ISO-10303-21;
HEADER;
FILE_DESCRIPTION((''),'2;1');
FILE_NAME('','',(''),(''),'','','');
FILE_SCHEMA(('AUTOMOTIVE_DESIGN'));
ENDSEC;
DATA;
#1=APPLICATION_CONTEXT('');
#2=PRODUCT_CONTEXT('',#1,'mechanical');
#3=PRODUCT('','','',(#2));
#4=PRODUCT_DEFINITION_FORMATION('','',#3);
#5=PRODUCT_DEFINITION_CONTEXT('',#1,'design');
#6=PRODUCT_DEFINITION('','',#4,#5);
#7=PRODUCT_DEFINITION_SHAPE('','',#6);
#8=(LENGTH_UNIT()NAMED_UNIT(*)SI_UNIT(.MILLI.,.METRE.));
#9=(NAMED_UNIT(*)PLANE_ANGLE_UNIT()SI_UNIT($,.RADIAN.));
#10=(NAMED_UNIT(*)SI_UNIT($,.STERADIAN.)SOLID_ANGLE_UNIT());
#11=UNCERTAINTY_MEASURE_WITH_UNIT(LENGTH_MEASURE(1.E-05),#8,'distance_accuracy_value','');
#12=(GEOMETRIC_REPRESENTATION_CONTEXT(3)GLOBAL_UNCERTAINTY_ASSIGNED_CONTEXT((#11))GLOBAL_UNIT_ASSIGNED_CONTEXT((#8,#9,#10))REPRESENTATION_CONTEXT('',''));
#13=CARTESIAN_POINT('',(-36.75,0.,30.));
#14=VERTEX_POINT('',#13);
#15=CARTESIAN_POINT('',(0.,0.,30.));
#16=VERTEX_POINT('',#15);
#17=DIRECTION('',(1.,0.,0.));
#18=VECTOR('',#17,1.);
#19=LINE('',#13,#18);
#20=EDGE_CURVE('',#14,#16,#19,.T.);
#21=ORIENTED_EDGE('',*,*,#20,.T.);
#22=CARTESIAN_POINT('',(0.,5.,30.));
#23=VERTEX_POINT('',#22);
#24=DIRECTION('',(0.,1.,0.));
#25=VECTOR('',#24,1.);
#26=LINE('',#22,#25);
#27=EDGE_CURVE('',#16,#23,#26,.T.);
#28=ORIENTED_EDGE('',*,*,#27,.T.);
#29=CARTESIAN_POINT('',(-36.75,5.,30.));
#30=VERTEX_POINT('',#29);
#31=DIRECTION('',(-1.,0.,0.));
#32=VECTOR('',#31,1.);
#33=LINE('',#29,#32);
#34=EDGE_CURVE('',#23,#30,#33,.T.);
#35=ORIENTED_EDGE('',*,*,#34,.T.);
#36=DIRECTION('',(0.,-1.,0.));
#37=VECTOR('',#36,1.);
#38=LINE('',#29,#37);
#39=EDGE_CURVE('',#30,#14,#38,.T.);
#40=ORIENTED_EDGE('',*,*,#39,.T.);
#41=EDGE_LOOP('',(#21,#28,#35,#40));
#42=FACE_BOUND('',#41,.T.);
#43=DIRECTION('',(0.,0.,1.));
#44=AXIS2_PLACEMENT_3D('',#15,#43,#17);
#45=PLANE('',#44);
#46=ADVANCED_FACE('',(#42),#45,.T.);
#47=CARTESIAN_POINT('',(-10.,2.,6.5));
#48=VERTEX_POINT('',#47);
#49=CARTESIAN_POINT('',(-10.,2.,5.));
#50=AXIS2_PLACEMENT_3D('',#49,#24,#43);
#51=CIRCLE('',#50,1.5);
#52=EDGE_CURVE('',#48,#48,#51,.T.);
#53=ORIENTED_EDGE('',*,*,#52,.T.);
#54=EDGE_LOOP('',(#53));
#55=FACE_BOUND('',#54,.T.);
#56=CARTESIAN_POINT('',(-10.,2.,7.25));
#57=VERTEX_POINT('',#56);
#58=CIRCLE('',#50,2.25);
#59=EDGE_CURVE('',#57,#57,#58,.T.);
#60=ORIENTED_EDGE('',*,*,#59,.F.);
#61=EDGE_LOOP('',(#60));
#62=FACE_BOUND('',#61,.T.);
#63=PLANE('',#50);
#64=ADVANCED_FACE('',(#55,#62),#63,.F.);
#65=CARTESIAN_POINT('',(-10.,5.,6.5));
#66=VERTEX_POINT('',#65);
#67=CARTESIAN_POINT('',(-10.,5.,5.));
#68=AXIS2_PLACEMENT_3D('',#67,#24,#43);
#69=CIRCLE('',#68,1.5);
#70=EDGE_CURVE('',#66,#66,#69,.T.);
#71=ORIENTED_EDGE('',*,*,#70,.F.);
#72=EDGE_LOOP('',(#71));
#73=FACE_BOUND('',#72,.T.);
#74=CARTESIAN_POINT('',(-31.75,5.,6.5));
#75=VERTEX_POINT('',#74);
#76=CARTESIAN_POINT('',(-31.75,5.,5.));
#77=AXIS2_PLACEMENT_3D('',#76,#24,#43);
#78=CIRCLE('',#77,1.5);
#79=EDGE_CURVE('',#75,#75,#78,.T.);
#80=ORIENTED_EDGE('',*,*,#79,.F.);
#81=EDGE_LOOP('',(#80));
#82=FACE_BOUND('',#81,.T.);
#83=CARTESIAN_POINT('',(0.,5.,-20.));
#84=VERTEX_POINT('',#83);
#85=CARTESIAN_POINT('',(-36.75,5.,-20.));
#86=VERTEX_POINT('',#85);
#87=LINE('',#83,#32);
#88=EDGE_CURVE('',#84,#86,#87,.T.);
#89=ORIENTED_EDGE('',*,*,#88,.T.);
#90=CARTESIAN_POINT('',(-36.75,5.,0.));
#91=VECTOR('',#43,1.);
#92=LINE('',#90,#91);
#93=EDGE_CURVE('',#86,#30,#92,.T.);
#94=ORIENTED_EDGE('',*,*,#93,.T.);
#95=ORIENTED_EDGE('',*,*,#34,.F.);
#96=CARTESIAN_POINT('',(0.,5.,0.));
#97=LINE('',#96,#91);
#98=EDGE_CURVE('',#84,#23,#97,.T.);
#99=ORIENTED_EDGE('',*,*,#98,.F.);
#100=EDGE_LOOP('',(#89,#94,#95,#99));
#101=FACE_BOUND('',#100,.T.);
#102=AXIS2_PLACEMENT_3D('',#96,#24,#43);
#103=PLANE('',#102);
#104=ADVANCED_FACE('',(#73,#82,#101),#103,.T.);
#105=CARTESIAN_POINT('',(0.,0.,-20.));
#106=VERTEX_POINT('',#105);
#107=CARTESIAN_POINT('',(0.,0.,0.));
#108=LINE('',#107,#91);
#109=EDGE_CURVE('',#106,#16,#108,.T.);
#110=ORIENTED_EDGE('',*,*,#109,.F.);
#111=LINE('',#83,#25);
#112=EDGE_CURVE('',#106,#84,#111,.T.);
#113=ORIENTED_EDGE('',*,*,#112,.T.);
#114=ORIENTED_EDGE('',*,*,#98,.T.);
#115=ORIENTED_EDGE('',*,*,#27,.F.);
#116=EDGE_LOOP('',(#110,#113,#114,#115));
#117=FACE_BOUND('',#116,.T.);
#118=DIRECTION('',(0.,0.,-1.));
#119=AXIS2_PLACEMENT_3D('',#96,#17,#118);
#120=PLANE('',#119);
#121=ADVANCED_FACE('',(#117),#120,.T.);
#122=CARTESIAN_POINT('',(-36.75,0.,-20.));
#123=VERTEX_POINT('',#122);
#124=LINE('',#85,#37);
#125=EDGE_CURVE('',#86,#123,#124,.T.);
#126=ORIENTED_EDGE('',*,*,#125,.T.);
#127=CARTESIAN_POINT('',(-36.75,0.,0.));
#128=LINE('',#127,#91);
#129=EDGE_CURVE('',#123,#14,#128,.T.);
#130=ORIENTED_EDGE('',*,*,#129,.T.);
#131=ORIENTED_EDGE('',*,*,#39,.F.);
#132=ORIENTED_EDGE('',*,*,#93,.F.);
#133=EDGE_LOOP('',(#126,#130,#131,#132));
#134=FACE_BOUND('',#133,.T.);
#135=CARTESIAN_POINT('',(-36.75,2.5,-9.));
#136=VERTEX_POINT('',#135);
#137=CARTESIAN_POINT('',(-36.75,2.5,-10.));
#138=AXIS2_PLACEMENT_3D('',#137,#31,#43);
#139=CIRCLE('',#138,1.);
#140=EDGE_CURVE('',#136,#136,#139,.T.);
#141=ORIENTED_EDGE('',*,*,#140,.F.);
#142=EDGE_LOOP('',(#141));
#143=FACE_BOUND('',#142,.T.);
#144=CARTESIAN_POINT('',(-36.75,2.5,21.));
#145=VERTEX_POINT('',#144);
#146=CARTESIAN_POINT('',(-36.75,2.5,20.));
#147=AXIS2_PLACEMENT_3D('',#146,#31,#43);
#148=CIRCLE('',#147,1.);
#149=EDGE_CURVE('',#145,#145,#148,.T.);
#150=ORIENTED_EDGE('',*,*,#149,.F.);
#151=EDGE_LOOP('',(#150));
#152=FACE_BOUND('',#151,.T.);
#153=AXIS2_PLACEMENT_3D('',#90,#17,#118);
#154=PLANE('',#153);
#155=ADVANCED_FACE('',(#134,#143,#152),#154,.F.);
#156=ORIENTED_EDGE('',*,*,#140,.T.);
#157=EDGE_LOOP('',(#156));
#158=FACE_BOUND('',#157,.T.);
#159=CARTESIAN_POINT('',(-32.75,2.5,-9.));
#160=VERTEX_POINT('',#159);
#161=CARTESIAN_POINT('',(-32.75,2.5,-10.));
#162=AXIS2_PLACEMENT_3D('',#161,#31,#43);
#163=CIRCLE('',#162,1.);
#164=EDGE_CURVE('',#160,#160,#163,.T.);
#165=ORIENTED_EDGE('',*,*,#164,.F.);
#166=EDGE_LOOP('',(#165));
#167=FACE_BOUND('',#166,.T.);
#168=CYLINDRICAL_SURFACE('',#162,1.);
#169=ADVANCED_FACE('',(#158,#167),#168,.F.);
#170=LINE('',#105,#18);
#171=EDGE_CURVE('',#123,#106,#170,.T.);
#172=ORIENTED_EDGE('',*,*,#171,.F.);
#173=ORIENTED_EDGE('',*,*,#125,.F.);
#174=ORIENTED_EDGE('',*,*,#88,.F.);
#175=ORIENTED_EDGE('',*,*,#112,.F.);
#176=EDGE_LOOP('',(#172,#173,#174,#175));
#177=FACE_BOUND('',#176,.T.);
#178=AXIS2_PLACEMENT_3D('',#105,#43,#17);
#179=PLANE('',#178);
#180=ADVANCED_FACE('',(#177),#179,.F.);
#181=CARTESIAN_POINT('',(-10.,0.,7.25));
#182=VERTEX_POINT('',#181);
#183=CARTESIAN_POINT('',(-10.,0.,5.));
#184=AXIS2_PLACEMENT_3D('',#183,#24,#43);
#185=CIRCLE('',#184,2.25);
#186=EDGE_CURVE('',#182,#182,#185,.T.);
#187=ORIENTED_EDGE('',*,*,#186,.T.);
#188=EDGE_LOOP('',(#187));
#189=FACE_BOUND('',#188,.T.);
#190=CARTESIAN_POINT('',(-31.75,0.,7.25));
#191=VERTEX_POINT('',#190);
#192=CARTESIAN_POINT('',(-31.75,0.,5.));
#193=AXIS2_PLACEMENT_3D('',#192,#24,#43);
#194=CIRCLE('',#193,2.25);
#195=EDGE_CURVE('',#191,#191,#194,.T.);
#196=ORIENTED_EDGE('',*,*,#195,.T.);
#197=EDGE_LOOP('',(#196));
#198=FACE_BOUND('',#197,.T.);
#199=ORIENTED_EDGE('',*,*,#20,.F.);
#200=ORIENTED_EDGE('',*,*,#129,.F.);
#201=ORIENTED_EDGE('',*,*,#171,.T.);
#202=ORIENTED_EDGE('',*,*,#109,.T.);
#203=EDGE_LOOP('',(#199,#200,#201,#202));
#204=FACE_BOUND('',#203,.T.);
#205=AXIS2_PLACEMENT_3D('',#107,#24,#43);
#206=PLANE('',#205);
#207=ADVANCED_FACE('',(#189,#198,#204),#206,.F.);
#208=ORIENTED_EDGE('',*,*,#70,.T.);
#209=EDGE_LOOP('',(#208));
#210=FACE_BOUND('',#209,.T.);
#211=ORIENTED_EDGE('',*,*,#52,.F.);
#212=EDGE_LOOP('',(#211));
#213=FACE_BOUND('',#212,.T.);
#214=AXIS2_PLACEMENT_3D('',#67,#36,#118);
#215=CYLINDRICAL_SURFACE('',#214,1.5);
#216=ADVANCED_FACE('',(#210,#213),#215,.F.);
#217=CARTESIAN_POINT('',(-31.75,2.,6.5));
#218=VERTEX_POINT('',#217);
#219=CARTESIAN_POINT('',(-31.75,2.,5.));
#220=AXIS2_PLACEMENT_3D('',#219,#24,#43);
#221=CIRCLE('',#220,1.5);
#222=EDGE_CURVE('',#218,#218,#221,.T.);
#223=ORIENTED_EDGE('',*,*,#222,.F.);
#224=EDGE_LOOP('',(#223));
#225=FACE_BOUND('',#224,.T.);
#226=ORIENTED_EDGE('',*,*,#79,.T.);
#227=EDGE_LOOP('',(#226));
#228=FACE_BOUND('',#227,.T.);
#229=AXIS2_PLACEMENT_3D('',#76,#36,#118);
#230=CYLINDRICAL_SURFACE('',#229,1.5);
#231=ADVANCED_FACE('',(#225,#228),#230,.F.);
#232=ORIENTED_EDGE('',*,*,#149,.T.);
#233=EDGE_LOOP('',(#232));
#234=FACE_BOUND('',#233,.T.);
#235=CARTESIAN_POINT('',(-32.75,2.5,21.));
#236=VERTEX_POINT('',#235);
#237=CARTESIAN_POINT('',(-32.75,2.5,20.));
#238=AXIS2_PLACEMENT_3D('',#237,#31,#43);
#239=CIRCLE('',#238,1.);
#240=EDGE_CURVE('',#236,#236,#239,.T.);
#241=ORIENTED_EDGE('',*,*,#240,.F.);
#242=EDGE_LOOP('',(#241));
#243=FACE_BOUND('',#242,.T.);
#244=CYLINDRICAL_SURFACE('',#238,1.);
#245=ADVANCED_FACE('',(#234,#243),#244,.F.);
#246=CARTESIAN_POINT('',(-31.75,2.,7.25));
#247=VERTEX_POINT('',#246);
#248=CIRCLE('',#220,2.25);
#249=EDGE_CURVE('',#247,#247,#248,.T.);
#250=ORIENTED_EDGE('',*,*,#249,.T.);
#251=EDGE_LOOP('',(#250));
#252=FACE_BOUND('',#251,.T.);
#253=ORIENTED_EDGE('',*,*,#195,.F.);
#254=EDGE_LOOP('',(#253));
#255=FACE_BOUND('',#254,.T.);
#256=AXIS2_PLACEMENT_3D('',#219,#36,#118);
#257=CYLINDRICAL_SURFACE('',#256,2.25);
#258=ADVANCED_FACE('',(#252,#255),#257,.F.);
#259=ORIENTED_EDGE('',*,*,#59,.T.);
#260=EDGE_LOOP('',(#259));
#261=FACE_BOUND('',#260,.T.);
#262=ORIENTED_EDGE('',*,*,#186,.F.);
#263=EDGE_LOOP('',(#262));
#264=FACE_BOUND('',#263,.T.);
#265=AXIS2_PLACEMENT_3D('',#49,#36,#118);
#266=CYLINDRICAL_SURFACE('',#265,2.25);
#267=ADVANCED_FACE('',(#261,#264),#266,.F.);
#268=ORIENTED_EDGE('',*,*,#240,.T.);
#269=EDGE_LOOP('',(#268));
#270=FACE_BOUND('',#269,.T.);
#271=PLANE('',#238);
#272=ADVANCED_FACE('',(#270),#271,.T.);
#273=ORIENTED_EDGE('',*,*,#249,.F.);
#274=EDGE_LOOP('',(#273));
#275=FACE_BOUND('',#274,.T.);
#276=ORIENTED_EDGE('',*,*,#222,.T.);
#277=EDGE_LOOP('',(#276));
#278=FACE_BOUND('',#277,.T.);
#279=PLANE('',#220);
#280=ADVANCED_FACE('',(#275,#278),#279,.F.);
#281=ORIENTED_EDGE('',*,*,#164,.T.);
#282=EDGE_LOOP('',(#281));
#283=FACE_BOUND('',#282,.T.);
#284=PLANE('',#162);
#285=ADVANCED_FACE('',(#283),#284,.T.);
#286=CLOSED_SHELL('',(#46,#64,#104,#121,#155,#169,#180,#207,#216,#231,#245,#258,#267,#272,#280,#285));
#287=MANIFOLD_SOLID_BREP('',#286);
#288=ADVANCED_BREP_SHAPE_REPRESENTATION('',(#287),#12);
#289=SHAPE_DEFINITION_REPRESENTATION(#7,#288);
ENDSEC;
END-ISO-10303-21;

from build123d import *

# Parameters (mm, degrees)
SKETCH_4_W          = 36.75
SKETCH_4_H          = 10
SKETCH_4_R          = 1.5
EXTRUDE_1_DEPTH     = 5
SKETCH_5_W          = 36.75
SKETCH_5_H          = 5
EXTRUDE_2_DEPTH     = 20
EXTRUDE_START       = -10
SKETCH_5_2_W        = 36.75
SKETCH_5_2_H        = 5
EXTRUDE_3_DEPTH     = 20
SKETCH_6_R          = 1
CUT_EXTRUDE_1_DEPTH = 4
SKETCH_4_5_R        = 2.25
CUT_EXTRUDE_2_DEPTH = 2


with BuildPart() as part:
    # 草图4 → 凸台-拉伸1 (new body)
    with BuildSketch(Plane(origin=(0, 0, 0), x_dir=(1, 0, 0), z_dir=(0, 1, 0))):
        with Locations((-18.375, -5)):
            Rectangle(SKETCH_4_W, SKETCH_4_H)
        with Locations(Location((-31.75, -5, 0), (0, 0, 270))):
            Circle(SKETCH_4_R, mode=Mode.SUBTRACT)
        with Locations(Location((-10, -5, 0), (0, 0, 270))):
            Circle(SKETCH_4_R, mode=Mode.SUBTRACT)
    extrude(amount=EXTRUDE_1_DEPTH)

    # 草图5 → 凸台-拉伸2 (add)
    with BuildSketch(Plane.XY.offset(10)):
        with Locations((-18.375, 2.5)):
            Rectangle(SKETCH_5_W, SKETCH_5_H)
    extrude(amount=EXTRUDE_2_DEPTH)

    # 草图5<2> → 凸台-拉伸3 (add)
    with BuildSketch(Plane.XY.offset(10).offset(EXTRUDE_START)):
        with Locations((-18.375, 2.5)):
            Rectangle(SKETCH_5_2_W, SKETCH_5_2_H)
    extrude(amount=-EXTRUDE_3_DEPTH)

    # 草图6 → 切除-拉伸1 (cut)
    with BuildSketch(Plane.ZY.offset(36.75)):
        with Locations((-10, 2.5)):
            Circle(SKETCH_6_R)
        with Locations((20, 2.5)):
            Circle(SKETCH_6_R)
    extrude(amount=-CUT_EXTRUDE_1_DEPTH, mode=Mode.SUBTRACT)

    # 草图4<5> → 切除-拉伸2 (cut)
    with BuildSketch(Plane(origin=(0, 0, 0), x_dir=(1, 0, 0), z_dir=(0, 1, 0))):
        with Locations(Location((-31.75, -5, 0), (0, 0, 270))):
            Circle(SKETCH_4_5_R)
        with Locations(Location((-10, -5, 0), (0, 0, 270))):
            Circle(SKETCH_4_5_R)
    extrude(amount=CUT_EXTRUDE_2_DEPTH, mode=Mode.SUBTRACT)


solid = part.part
